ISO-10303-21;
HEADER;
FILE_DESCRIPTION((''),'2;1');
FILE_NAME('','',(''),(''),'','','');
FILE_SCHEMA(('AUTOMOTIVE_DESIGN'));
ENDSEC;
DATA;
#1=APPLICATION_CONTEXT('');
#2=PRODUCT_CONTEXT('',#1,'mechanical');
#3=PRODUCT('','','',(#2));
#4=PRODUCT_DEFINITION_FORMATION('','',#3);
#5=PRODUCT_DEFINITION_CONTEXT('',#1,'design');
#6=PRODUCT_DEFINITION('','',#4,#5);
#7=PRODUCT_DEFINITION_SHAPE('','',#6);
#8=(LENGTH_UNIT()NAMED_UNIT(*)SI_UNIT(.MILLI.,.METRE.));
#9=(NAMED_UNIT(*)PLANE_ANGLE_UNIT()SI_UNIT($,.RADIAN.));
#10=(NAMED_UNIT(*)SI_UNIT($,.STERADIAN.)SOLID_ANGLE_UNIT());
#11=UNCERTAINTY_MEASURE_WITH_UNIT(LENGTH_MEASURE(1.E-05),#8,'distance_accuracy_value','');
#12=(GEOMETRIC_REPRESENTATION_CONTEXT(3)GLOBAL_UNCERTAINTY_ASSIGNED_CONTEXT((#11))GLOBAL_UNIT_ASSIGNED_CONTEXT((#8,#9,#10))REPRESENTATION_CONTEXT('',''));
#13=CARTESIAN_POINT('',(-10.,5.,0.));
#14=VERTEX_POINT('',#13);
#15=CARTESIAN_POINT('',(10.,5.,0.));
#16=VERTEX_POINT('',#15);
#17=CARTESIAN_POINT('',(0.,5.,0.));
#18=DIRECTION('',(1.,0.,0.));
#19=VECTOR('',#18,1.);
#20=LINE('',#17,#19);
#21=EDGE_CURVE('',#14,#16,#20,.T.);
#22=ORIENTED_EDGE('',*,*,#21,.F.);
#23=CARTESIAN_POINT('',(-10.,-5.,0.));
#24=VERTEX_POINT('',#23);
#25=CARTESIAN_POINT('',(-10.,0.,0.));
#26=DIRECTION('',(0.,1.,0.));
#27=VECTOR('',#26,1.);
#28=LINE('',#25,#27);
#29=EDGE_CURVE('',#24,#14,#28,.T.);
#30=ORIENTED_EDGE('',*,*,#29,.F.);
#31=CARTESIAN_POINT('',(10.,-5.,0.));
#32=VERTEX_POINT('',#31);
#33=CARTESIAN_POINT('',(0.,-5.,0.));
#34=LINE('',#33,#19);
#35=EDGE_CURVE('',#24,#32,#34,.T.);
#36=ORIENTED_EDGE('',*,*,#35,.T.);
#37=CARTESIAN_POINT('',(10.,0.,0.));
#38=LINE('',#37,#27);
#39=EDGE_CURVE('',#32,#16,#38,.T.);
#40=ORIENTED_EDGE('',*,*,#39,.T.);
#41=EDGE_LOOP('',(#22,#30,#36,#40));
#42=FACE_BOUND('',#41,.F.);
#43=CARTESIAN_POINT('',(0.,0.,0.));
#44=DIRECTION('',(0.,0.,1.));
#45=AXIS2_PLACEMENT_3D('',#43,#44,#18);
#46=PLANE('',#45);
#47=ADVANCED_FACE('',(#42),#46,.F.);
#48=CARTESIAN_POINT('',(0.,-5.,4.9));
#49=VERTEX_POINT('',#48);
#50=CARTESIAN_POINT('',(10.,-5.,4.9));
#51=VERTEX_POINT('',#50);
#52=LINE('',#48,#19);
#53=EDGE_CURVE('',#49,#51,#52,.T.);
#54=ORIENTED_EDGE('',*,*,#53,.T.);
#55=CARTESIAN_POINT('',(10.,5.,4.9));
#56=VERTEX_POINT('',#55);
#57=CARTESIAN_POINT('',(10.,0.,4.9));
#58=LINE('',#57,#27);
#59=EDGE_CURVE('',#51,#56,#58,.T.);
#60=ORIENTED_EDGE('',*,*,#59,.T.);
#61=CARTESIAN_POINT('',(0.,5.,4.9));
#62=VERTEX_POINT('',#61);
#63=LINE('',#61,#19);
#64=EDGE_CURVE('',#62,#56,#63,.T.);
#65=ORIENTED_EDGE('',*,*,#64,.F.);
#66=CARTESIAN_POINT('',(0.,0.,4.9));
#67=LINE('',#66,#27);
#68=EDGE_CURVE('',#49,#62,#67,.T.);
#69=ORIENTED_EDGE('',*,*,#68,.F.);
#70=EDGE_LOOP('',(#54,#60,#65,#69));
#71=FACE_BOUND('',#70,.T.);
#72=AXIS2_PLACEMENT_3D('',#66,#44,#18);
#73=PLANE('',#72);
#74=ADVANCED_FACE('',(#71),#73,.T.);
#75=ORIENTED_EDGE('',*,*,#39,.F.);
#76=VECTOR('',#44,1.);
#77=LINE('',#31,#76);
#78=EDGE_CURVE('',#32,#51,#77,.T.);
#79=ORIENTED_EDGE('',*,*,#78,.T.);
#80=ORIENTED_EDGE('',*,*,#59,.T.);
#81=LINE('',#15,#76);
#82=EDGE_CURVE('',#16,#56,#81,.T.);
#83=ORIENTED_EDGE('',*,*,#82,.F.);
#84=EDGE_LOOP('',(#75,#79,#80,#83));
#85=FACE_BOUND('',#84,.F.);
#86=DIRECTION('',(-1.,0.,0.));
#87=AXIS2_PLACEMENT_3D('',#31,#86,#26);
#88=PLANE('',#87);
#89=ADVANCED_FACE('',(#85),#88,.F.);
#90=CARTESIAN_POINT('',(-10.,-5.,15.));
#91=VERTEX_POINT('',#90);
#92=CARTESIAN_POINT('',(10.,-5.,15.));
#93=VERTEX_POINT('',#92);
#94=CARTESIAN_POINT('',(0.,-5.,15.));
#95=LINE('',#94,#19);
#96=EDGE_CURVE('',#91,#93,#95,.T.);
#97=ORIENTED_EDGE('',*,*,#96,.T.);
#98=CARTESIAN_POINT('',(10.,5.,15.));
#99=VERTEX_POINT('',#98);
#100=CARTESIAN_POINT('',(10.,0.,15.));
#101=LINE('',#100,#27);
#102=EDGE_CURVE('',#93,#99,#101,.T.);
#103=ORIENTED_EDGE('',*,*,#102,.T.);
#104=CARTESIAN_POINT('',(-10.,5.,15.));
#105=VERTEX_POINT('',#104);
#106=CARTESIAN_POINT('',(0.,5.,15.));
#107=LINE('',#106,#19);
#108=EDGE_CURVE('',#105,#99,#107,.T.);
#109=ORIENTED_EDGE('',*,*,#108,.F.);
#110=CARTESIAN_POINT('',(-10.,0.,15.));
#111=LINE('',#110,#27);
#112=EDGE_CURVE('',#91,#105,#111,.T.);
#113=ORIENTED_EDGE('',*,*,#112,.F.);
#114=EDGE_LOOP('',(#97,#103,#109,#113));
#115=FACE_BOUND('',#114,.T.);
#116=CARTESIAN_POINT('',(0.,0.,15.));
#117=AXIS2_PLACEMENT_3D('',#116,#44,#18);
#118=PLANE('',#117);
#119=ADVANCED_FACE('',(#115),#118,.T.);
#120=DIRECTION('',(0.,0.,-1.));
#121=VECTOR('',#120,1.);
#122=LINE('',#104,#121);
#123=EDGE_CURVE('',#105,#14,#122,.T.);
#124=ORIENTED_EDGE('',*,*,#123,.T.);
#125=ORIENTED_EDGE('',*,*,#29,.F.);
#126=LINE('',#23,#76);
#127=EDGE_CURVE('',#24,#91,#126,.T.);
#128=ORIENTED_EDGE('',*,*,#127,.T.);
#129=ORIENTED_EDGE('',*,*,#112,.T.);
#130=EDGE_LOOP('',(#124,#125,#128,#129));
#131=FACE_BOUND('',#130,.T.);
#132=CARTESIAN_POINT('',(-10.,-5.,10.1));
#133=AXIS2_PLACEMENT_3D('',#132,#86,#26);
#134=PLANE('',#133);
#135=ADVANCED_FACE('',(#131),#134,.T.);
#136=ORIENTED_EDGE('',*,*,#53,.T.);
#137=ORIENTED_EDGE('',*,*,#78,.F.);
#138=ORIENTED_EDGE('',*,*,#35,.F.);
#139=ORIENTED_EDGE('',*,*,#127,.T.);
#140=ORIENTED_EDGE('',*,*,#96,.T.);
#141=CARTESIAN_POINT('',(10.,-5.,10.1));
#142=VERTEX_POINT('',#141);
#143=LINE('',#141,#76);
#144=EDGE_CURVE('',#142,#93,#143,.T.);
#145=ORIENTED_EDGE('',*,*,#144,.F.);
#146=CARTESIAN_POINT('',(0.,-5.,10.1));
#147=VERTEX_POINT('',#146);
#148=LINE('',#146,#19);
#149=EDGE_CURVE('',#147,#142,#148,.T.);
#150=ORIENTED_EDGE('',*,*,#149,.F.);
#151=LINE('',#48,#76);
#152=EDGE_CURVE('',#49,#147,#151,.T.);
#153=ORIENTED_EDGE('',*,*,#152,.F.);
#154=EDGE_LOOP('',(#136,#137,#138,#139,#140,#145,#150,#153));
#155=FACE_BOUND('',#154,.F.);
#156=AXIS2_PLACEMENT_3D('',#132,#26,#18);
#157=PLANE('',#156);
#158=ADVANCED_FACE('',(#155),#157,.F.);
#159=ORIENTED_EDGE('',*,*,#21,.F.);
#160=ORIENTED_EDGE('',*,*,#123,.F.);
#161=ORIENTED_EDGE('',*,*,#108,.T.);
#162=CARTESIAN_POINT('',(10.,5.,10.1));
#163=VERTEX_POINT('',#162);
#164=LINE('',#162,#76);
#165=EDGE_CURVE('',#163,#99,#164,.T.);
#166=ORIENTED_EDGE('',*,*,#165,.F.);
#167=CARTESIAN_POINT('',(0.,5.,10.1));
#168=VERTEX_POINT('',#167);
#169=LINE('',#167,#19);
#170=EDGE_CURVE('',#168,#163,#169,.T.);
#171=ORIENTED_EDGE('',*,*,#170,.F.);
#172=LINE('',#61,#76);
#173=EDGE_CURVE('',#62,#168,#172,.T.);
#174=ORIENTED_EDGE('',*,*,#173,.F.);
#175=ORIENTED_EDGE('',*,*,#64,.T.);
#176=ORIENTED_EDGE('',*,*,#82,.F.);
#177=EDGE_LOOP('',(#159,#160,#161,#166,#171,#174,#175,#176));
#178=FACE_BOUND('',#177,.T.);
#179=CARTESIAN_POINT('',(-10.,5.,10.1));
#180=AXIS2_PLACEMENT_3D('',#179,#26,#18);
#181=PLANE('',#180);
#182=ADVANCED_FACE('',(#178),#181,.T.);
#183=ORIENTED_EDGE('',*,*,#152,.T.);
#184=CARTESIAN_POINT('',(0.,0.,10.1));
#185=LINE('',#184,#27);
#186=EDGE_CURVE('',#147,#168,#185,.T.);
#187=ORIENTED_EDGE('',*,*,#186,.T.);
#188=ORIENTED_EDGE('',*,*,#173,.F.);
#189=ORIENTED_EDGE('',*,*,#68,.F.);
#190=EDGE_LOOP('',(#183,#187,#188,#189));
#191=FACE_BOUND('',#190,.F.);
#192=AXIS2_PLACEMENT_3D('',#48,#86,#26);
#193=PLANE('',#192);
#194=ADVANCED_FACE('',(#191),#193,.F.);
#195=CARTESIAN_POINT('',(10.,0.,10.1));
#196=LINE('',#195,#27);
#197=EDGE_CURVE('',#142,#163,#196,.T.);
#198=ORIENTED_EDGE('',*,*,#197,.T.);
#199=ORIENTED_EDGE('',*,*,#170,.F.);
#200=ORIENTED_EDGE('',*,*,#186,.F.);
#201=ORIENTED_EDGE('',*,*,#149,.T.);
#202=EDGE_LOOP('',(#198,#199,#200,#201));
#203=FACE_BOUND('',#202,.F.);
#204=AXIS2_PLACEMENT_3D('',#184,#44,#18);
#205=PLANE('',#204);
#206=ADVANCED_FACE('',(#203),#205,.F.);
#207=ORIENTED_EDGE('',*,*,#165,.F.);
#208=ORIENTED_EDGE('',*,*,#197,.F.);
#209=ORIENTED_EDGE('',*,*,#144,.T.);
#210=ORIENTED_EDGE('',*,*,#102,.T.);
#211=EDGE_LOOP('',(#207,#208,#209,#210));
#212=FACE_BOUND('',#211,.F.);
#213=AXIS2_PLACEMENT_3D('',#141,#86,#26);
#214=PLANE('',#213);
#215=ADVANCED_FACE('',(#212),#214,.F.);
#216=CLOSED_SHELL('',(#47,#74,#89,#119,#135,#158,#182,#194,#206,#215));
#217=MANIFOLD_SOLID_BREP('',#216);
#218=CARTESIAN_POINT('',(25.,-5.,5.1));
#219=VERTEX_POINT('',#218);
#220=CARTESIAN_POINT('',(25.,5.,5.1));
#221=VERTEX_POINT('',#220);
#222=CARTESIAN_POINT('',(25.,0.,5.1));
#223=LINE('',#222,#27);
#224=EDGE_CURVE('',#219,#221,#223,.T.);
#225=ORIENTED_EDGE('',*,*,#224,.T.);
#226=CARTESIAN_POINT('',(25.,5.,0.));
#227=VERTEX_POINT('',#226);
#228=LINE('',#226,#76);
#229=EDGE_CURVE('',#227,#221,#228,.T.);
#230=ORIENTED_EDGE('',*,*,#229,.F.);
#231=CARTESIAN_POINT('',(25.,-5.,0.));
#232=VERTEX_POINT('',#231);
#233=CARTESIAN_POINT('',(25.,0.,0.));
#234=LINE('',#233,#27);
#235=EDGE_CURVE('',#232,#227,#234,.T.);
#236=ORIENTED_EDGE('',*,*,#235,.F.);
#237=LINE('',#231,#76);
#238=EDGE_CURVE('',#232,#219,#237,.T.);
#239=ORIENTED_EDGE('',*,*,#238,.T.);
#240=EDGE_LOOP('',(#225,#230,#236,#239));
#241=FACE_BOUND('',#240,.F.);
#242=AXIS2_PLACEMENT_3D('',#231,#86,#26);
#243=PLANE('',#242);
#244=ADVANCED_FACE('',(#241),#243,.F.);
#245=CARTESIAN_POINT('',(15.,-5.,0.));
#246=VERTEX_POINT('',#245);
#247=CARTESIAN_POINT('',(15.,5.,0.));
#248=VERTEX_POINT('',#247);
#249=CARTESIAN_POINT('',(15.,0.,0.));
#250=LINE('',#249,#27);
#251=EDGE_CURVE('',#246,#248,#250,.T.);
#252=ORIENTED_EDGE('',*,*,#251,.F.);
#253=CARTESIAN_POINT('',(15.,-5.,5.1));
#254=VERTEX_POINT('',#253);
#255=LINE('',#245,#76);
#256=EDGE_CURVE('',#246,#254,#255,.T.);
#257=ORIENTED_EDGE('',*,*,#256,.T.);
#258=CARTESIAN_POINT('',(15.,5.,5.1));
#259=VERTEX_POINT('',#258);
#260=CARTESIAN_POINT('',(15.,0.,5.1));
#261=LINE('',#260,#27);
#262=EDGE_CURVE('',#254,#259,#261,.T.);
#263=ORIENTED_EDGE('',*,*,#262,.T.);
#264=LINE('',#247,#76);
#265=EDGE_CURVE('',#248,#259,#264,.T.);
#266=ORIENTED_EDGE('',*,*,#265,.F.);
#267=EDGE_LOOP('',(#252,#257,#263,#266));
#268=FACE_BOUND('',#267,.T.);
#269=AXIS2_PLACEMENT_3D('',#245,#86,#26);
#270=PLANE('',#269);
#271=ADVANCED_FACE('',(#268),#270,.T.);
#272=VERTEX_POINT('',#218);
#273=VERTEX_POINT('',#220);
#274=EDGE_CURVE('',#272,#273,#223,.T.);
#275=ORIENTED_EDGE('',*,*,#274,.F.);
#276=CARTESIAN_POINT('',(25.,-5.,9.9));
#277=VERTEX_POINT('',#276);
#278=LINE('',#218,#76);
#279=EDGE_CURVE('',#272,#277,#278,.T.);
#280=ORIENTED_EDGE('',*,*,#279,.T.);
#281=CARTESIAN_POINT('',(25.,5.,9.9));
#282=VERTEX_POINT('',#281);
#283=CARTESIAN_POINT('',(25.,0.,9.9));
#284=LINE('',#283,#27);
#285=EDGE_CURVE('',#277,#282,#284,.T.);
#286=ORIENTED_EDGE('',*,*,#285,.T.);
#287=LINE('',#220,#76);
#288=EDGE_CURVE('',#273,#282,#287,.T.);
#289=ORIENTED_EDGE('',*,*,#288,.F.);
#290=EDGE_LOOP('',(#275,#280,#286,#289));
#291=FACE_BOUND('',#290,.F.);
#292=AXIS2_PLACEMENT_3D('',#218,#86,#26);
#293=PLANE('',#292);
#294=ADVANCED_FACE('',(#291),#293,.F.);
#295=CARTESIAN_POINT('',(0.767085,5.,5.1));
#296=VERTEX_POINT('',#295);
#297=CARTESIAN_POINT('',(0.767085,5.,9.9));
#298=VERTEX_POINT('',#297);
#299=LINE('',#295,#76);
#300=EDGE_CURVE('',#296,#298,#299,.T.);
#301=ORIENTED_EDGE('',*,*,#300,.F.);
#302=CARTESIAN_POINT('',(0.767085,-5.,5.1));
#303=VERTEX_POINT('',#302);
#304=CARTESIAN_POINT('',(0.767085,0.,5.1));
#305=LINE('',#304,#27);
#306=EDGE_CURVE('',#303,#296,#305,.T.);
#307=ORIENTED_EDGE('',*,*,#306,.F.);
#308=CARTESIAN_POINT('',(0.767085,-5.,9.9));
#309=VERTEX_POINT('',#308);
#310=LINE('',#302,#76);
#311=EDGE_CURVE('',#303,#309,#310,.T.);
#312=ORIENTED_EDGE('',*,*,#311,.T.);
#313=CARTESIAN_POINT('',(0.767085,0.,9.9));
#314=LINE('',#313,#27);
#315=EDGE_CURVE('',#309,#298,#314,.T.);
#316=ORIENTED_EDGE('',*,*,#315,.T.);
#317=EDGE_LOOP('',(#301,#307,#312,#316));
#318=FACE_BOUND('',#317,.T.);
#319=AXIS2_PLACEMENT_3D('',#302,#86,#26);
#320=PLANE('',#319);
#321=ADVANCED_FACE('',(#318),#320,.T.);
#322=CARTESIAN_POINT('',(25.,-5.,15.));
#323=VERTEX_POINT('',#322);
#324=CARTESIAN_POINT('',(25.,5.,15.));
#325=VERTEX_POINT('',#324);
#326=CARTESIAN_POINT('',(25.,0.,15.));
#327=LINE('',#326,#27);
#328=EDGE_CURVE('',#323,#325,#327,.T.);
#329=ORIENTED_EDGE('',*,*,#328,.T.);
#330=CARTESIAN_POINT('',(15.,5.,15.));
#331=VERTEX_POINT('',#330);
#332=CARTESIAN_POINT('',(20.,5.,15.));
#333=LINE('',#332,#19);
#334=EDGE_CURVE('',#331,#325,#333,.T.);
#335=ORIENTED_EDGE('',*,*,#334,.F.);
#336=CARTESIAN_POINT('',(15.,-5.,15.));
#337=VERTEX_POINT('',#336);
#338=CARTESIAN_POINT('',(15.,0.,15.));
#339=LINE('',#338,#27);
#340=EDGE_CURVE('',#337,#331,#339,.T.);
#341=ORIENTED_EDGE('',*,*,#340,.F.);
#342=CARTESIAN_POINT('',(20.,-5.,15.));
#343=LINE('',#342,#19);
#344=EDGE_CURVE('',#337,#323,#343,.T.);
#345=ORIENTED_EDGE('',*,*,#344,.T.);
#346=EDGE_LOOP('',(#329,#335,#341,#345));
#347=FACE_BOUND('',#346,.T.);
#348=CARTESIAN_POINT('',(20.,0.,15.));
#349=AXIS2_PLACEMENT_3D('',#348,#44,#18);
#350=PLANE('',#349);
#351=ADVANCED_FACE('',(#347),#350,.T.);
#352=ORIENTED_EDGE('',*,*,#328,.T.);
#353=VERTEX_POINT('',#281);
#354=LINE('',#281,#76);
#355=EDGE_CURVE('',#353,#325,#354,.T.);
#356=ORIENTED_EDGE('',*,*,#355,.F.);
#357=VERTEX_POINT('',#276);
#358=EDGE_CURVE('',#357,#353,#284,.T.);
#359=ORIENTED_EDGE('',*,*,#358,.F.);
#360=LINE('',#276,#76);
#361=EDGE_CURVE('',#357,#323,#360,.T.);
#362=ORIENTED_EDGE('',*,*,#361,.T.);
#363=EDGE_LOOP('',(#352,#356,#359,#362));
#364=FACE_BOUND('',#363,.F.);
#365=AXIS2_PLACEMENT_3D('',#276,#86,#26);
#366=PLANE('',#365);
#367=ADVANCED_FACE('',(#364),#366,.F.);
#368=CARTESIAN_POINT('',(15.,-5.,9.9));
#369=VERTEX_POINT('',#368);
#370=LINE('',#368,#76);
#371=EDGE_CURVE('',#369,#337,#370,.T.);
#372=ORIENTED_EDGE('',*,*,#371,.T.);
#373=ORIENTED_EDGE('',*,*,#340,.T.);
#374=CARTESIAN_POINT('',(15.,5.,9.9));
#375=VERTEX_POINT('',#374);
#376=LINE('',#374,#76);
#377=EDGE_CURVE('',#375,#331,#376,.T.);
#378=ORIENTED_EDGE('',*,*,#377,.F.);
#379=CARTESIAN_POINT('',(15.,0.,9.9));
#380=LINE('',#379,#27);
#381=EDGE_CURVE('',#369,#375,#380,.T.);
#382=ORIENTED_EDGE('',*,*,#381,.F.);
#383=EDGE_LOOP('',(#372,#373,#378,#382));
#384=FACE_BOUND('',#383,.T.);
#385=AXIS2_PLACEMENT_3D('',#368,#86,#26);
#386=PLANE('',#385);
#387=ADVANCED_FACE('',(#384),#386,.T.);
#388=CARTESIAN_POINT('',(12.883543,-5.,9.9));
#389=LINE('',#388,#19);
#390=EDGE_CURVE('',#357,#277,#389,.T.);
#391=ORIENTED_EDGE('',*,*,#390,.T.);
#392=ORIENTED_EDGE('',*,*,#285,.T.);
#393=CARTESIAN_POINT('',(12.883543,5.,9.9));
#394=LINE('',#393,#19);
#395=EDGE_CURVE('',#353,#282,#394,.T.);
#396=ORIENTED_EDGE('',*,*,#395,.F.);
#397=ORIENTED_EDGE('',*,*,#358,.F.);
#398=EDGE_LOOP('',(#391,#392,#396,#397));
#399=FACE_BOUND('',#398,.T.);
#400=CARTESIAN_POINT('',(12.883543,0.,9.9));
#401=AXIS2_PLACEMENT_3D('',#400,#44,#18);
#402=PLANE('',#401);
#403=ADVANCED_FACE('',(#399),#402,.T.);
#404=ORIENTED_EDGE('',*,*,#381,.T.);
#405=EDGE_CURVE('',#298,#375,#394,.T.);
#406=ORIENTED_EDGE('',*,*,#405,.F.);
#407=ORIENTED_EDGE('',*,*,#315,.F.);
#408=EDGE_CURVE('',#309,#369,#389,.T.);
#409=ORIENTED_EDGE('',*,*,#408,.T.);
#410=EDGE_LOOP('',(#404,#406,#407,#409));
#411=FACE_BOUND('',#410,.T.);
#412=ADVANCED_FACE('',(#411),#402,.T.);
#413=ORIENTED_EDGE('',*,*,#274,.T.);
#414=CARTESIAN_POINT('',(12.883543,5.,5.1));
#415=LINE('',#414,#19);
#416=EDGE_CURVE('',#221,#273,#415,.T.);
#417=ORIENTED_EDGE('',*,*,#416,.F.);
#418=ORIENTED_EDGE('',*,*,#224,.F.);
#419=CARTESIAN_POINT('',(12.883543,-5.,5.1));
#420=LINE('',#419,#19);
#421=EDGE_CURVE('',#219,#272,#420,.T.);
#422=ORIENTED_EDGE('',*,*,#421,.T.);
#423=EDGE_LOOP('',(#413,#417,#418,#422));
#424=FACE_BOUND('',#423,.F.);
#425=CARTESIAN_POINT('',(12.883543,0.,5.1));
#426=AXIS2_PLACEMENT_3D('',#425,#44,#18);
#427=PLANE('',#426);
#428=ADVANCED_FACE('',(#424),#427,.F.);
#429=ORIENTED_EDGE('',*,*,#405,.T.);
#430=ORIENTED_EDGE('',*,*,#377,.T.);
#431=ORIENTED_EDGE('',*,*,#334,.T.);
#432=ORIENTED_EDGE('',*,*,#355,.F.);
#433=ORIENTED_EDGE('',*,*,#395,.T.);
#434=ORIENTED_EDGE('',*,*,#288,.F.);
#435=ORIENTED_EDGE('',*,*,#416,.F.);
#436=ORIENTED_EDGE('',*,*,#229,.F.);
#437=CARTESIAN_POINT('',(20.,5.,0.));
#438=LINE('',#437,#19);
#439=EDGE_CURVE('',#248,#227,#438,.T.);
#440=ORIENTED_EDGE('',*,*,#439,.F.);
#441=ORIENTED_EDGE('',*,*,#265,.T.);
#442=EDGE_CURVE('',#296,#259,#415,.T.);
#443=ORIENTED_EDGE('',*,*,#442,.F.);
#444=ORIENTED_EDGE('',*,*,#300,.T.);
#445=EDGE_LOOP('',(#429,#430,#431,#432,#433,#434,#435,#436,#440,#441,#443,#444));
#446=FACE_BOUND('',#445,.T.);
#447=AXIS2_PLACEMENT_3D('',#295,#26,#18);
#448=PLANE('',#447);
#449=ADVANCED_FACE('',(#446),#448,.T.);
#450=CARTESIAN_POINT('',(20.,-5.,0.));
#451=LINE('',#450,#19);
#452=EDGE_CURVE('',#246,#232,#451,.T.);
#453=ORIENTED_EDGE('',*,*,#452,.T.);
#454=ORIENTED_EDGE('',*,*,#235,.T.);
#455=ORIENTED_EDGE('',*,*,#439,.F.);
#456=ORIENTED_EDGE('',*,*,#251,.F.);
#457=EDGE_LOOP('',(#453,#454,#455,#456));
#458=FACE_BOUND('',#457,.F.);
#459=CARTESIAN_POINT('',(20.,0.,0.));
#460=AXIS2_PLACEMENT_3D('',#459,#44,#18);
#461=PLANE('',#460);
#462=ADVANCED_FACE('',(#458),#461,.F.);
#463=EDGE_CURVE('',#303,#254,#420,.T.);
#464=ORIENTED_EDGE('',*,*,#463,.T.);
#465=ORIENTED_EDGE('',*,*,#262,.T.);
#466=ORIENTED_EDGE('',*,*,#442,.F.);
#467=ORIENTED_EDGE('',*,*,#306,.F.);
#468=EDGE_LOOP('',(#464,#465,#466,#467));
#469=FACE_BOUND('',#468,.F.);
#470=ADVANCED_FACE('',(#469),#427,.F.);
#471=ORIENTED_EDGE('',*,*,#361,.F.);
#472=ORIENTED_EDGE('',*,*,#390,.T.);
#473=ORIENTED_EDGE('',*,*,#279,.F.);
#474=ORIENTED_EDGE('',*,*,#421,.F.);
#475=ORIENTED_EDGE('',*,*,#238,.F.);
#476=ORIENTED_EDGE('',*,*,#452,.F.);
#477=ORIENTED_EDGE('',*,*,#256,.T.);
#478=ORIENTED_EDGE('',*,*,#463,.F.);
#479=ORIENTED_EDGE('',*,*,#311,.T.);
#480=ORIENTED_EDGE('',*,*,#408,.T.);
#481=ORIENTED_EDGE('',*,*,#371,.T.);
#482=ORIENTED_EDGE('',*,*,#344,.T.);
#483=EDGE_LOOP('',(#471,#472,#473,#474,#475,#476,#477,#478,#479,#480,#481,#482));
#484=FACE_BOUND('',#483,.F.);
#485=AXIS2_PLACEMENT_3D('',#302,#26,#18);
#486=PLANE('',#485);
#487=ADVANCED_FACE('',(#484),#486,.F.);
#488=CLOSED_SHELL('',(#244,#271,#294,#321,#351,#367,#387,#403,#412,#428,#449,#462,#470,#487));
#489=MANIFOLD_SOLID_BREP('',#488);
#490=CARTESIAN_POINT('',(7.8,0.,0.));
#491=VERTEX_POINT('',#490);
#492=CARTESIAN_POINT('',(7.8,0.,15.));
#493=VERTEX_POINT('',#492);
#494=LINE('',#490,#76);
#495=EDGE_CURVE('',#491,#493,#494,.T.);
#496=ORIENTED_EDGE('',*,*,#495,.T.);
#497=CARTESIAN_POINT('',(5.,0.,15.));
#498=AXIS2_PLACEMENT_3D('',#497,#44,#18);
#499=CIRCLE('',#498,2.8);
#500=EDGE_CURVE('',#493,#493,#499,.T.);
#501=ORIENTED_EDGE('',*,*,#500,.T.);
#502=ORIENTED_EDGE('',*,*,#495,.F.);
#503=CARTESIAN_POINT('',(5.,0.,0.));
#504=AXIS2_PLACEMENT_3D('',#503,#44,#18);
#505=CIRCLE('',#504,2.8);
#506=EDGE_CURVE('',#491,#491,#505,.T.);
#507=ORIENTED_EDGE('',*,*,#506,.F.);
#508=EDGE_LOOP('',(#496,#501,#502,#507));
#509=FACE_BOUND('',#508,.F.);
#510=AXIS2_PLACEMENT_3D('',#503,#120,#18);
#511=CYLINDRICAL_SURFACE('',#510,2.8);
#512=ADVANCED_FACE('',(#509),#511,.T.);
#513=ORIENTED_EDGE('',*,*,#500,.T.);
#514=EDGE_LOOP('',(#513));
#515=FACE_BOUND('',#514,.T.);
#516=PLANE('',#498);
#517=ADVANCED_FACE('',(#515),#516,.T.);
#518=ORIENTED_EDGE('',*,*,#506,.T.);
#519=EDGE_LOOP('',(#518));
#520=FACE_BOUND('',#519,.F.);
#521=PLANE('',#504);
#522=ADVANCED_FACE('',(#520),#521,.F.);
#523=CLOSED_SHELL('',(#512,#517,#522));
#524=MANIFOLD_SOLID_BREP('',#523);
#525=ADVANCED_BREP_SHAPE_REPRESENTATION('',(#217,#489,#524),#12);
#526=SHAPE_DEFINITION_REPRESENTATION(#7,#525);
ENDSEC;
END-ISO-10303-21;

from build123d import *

# Parameters (mm, degrees)
SKETCH_W       = 20
SKETCH_H       = 10
PAD_DEPTH      = 4.9
SKETCH001_W    = 10
SKETCH001_H    = 10
PAD001_DEPTH   = 5.2
SKETCH002_W    = 20
SKETCH002_H    = 10
PAD002_DEPTH   = 4.9
SKETCH004_W    = 10
SKETCH004_H    = 10
PAD003_DEPTH   = 5.1
SKETCH005_W    = 24.232915
SKETCH005_H    = 10
PAD004_DEPTH   = 4.8
SKETCH006_W    = 10
SKETCH006_H    = 10
PAD005_DEPTH   = 5.1
CYLINDER_R     = 2.8
CYLINDER_DEPTH = 15


with BuildPart() as pad002:
    # Sketch → Pad (new body)
    with BuildSketch(Plane.XY):
        Rectangle(SKETCH_W, SKETCH_H)
    extrude(amount=PAD_DEPTH)

    # Sketch001 → Pad001 (new body)
    with BuildSketch(Plane.XY.offset(4.9)):
        with Locations((-5, 0)):
            Rectangle(SKETCH001_W, SKETCH001_H)
    extrude(amount=PAD001_DEPTH)

    # Sketch002 → Pad002 (new body)
    with BuildSketch(Plane.XY.offset(10.1)):
        Rectangle(SKETCH002_W, SKETCH002_H)
    extrude(amount=PAD002_DEPTH)


with BuildPart() as pad005:
    # Sketch004 → Pad003 (new body)
    with BuildSketch(Plane.XY):
        with Locations((20, 0)):
            Rectangle(SKETCH004_W, SKETCH004_H)
    extrude(amount=PAD003_DEPTH)

    # Sketch005 → Pad004 (new body)
    with BuildSketch(Plane.XY.offset(5.1)):
        with Locations((12.883543, 0)):
            Rectangle(SKETCH005_W, SKETCH005_H)
    extrude(amount=PAD004_DEPTH)

    # Sketch006 → Pad005 (new body)
    with BuildSketch(Plane.XY.offset(9.9)):
        with Locations((20, 0)):
            Rectangle(SKETCH006_W, SKETCH006_H)
    extrude(amount=PAD005_DEPTH)


with BuildPart() as cylinder:
    # Cylinder → Cylinder (new body)
    with BuildSketch(Plane(origin=(5, 0, 0), x_dir=(1, 0, 0), z_dir=(0, 0, 1))):
        Circle(CYLINDER_R)
    extrude(amount=CYLINDER_DEPTH)


solid = Compound([pad002.part, pad005.part, cylinder.part])
